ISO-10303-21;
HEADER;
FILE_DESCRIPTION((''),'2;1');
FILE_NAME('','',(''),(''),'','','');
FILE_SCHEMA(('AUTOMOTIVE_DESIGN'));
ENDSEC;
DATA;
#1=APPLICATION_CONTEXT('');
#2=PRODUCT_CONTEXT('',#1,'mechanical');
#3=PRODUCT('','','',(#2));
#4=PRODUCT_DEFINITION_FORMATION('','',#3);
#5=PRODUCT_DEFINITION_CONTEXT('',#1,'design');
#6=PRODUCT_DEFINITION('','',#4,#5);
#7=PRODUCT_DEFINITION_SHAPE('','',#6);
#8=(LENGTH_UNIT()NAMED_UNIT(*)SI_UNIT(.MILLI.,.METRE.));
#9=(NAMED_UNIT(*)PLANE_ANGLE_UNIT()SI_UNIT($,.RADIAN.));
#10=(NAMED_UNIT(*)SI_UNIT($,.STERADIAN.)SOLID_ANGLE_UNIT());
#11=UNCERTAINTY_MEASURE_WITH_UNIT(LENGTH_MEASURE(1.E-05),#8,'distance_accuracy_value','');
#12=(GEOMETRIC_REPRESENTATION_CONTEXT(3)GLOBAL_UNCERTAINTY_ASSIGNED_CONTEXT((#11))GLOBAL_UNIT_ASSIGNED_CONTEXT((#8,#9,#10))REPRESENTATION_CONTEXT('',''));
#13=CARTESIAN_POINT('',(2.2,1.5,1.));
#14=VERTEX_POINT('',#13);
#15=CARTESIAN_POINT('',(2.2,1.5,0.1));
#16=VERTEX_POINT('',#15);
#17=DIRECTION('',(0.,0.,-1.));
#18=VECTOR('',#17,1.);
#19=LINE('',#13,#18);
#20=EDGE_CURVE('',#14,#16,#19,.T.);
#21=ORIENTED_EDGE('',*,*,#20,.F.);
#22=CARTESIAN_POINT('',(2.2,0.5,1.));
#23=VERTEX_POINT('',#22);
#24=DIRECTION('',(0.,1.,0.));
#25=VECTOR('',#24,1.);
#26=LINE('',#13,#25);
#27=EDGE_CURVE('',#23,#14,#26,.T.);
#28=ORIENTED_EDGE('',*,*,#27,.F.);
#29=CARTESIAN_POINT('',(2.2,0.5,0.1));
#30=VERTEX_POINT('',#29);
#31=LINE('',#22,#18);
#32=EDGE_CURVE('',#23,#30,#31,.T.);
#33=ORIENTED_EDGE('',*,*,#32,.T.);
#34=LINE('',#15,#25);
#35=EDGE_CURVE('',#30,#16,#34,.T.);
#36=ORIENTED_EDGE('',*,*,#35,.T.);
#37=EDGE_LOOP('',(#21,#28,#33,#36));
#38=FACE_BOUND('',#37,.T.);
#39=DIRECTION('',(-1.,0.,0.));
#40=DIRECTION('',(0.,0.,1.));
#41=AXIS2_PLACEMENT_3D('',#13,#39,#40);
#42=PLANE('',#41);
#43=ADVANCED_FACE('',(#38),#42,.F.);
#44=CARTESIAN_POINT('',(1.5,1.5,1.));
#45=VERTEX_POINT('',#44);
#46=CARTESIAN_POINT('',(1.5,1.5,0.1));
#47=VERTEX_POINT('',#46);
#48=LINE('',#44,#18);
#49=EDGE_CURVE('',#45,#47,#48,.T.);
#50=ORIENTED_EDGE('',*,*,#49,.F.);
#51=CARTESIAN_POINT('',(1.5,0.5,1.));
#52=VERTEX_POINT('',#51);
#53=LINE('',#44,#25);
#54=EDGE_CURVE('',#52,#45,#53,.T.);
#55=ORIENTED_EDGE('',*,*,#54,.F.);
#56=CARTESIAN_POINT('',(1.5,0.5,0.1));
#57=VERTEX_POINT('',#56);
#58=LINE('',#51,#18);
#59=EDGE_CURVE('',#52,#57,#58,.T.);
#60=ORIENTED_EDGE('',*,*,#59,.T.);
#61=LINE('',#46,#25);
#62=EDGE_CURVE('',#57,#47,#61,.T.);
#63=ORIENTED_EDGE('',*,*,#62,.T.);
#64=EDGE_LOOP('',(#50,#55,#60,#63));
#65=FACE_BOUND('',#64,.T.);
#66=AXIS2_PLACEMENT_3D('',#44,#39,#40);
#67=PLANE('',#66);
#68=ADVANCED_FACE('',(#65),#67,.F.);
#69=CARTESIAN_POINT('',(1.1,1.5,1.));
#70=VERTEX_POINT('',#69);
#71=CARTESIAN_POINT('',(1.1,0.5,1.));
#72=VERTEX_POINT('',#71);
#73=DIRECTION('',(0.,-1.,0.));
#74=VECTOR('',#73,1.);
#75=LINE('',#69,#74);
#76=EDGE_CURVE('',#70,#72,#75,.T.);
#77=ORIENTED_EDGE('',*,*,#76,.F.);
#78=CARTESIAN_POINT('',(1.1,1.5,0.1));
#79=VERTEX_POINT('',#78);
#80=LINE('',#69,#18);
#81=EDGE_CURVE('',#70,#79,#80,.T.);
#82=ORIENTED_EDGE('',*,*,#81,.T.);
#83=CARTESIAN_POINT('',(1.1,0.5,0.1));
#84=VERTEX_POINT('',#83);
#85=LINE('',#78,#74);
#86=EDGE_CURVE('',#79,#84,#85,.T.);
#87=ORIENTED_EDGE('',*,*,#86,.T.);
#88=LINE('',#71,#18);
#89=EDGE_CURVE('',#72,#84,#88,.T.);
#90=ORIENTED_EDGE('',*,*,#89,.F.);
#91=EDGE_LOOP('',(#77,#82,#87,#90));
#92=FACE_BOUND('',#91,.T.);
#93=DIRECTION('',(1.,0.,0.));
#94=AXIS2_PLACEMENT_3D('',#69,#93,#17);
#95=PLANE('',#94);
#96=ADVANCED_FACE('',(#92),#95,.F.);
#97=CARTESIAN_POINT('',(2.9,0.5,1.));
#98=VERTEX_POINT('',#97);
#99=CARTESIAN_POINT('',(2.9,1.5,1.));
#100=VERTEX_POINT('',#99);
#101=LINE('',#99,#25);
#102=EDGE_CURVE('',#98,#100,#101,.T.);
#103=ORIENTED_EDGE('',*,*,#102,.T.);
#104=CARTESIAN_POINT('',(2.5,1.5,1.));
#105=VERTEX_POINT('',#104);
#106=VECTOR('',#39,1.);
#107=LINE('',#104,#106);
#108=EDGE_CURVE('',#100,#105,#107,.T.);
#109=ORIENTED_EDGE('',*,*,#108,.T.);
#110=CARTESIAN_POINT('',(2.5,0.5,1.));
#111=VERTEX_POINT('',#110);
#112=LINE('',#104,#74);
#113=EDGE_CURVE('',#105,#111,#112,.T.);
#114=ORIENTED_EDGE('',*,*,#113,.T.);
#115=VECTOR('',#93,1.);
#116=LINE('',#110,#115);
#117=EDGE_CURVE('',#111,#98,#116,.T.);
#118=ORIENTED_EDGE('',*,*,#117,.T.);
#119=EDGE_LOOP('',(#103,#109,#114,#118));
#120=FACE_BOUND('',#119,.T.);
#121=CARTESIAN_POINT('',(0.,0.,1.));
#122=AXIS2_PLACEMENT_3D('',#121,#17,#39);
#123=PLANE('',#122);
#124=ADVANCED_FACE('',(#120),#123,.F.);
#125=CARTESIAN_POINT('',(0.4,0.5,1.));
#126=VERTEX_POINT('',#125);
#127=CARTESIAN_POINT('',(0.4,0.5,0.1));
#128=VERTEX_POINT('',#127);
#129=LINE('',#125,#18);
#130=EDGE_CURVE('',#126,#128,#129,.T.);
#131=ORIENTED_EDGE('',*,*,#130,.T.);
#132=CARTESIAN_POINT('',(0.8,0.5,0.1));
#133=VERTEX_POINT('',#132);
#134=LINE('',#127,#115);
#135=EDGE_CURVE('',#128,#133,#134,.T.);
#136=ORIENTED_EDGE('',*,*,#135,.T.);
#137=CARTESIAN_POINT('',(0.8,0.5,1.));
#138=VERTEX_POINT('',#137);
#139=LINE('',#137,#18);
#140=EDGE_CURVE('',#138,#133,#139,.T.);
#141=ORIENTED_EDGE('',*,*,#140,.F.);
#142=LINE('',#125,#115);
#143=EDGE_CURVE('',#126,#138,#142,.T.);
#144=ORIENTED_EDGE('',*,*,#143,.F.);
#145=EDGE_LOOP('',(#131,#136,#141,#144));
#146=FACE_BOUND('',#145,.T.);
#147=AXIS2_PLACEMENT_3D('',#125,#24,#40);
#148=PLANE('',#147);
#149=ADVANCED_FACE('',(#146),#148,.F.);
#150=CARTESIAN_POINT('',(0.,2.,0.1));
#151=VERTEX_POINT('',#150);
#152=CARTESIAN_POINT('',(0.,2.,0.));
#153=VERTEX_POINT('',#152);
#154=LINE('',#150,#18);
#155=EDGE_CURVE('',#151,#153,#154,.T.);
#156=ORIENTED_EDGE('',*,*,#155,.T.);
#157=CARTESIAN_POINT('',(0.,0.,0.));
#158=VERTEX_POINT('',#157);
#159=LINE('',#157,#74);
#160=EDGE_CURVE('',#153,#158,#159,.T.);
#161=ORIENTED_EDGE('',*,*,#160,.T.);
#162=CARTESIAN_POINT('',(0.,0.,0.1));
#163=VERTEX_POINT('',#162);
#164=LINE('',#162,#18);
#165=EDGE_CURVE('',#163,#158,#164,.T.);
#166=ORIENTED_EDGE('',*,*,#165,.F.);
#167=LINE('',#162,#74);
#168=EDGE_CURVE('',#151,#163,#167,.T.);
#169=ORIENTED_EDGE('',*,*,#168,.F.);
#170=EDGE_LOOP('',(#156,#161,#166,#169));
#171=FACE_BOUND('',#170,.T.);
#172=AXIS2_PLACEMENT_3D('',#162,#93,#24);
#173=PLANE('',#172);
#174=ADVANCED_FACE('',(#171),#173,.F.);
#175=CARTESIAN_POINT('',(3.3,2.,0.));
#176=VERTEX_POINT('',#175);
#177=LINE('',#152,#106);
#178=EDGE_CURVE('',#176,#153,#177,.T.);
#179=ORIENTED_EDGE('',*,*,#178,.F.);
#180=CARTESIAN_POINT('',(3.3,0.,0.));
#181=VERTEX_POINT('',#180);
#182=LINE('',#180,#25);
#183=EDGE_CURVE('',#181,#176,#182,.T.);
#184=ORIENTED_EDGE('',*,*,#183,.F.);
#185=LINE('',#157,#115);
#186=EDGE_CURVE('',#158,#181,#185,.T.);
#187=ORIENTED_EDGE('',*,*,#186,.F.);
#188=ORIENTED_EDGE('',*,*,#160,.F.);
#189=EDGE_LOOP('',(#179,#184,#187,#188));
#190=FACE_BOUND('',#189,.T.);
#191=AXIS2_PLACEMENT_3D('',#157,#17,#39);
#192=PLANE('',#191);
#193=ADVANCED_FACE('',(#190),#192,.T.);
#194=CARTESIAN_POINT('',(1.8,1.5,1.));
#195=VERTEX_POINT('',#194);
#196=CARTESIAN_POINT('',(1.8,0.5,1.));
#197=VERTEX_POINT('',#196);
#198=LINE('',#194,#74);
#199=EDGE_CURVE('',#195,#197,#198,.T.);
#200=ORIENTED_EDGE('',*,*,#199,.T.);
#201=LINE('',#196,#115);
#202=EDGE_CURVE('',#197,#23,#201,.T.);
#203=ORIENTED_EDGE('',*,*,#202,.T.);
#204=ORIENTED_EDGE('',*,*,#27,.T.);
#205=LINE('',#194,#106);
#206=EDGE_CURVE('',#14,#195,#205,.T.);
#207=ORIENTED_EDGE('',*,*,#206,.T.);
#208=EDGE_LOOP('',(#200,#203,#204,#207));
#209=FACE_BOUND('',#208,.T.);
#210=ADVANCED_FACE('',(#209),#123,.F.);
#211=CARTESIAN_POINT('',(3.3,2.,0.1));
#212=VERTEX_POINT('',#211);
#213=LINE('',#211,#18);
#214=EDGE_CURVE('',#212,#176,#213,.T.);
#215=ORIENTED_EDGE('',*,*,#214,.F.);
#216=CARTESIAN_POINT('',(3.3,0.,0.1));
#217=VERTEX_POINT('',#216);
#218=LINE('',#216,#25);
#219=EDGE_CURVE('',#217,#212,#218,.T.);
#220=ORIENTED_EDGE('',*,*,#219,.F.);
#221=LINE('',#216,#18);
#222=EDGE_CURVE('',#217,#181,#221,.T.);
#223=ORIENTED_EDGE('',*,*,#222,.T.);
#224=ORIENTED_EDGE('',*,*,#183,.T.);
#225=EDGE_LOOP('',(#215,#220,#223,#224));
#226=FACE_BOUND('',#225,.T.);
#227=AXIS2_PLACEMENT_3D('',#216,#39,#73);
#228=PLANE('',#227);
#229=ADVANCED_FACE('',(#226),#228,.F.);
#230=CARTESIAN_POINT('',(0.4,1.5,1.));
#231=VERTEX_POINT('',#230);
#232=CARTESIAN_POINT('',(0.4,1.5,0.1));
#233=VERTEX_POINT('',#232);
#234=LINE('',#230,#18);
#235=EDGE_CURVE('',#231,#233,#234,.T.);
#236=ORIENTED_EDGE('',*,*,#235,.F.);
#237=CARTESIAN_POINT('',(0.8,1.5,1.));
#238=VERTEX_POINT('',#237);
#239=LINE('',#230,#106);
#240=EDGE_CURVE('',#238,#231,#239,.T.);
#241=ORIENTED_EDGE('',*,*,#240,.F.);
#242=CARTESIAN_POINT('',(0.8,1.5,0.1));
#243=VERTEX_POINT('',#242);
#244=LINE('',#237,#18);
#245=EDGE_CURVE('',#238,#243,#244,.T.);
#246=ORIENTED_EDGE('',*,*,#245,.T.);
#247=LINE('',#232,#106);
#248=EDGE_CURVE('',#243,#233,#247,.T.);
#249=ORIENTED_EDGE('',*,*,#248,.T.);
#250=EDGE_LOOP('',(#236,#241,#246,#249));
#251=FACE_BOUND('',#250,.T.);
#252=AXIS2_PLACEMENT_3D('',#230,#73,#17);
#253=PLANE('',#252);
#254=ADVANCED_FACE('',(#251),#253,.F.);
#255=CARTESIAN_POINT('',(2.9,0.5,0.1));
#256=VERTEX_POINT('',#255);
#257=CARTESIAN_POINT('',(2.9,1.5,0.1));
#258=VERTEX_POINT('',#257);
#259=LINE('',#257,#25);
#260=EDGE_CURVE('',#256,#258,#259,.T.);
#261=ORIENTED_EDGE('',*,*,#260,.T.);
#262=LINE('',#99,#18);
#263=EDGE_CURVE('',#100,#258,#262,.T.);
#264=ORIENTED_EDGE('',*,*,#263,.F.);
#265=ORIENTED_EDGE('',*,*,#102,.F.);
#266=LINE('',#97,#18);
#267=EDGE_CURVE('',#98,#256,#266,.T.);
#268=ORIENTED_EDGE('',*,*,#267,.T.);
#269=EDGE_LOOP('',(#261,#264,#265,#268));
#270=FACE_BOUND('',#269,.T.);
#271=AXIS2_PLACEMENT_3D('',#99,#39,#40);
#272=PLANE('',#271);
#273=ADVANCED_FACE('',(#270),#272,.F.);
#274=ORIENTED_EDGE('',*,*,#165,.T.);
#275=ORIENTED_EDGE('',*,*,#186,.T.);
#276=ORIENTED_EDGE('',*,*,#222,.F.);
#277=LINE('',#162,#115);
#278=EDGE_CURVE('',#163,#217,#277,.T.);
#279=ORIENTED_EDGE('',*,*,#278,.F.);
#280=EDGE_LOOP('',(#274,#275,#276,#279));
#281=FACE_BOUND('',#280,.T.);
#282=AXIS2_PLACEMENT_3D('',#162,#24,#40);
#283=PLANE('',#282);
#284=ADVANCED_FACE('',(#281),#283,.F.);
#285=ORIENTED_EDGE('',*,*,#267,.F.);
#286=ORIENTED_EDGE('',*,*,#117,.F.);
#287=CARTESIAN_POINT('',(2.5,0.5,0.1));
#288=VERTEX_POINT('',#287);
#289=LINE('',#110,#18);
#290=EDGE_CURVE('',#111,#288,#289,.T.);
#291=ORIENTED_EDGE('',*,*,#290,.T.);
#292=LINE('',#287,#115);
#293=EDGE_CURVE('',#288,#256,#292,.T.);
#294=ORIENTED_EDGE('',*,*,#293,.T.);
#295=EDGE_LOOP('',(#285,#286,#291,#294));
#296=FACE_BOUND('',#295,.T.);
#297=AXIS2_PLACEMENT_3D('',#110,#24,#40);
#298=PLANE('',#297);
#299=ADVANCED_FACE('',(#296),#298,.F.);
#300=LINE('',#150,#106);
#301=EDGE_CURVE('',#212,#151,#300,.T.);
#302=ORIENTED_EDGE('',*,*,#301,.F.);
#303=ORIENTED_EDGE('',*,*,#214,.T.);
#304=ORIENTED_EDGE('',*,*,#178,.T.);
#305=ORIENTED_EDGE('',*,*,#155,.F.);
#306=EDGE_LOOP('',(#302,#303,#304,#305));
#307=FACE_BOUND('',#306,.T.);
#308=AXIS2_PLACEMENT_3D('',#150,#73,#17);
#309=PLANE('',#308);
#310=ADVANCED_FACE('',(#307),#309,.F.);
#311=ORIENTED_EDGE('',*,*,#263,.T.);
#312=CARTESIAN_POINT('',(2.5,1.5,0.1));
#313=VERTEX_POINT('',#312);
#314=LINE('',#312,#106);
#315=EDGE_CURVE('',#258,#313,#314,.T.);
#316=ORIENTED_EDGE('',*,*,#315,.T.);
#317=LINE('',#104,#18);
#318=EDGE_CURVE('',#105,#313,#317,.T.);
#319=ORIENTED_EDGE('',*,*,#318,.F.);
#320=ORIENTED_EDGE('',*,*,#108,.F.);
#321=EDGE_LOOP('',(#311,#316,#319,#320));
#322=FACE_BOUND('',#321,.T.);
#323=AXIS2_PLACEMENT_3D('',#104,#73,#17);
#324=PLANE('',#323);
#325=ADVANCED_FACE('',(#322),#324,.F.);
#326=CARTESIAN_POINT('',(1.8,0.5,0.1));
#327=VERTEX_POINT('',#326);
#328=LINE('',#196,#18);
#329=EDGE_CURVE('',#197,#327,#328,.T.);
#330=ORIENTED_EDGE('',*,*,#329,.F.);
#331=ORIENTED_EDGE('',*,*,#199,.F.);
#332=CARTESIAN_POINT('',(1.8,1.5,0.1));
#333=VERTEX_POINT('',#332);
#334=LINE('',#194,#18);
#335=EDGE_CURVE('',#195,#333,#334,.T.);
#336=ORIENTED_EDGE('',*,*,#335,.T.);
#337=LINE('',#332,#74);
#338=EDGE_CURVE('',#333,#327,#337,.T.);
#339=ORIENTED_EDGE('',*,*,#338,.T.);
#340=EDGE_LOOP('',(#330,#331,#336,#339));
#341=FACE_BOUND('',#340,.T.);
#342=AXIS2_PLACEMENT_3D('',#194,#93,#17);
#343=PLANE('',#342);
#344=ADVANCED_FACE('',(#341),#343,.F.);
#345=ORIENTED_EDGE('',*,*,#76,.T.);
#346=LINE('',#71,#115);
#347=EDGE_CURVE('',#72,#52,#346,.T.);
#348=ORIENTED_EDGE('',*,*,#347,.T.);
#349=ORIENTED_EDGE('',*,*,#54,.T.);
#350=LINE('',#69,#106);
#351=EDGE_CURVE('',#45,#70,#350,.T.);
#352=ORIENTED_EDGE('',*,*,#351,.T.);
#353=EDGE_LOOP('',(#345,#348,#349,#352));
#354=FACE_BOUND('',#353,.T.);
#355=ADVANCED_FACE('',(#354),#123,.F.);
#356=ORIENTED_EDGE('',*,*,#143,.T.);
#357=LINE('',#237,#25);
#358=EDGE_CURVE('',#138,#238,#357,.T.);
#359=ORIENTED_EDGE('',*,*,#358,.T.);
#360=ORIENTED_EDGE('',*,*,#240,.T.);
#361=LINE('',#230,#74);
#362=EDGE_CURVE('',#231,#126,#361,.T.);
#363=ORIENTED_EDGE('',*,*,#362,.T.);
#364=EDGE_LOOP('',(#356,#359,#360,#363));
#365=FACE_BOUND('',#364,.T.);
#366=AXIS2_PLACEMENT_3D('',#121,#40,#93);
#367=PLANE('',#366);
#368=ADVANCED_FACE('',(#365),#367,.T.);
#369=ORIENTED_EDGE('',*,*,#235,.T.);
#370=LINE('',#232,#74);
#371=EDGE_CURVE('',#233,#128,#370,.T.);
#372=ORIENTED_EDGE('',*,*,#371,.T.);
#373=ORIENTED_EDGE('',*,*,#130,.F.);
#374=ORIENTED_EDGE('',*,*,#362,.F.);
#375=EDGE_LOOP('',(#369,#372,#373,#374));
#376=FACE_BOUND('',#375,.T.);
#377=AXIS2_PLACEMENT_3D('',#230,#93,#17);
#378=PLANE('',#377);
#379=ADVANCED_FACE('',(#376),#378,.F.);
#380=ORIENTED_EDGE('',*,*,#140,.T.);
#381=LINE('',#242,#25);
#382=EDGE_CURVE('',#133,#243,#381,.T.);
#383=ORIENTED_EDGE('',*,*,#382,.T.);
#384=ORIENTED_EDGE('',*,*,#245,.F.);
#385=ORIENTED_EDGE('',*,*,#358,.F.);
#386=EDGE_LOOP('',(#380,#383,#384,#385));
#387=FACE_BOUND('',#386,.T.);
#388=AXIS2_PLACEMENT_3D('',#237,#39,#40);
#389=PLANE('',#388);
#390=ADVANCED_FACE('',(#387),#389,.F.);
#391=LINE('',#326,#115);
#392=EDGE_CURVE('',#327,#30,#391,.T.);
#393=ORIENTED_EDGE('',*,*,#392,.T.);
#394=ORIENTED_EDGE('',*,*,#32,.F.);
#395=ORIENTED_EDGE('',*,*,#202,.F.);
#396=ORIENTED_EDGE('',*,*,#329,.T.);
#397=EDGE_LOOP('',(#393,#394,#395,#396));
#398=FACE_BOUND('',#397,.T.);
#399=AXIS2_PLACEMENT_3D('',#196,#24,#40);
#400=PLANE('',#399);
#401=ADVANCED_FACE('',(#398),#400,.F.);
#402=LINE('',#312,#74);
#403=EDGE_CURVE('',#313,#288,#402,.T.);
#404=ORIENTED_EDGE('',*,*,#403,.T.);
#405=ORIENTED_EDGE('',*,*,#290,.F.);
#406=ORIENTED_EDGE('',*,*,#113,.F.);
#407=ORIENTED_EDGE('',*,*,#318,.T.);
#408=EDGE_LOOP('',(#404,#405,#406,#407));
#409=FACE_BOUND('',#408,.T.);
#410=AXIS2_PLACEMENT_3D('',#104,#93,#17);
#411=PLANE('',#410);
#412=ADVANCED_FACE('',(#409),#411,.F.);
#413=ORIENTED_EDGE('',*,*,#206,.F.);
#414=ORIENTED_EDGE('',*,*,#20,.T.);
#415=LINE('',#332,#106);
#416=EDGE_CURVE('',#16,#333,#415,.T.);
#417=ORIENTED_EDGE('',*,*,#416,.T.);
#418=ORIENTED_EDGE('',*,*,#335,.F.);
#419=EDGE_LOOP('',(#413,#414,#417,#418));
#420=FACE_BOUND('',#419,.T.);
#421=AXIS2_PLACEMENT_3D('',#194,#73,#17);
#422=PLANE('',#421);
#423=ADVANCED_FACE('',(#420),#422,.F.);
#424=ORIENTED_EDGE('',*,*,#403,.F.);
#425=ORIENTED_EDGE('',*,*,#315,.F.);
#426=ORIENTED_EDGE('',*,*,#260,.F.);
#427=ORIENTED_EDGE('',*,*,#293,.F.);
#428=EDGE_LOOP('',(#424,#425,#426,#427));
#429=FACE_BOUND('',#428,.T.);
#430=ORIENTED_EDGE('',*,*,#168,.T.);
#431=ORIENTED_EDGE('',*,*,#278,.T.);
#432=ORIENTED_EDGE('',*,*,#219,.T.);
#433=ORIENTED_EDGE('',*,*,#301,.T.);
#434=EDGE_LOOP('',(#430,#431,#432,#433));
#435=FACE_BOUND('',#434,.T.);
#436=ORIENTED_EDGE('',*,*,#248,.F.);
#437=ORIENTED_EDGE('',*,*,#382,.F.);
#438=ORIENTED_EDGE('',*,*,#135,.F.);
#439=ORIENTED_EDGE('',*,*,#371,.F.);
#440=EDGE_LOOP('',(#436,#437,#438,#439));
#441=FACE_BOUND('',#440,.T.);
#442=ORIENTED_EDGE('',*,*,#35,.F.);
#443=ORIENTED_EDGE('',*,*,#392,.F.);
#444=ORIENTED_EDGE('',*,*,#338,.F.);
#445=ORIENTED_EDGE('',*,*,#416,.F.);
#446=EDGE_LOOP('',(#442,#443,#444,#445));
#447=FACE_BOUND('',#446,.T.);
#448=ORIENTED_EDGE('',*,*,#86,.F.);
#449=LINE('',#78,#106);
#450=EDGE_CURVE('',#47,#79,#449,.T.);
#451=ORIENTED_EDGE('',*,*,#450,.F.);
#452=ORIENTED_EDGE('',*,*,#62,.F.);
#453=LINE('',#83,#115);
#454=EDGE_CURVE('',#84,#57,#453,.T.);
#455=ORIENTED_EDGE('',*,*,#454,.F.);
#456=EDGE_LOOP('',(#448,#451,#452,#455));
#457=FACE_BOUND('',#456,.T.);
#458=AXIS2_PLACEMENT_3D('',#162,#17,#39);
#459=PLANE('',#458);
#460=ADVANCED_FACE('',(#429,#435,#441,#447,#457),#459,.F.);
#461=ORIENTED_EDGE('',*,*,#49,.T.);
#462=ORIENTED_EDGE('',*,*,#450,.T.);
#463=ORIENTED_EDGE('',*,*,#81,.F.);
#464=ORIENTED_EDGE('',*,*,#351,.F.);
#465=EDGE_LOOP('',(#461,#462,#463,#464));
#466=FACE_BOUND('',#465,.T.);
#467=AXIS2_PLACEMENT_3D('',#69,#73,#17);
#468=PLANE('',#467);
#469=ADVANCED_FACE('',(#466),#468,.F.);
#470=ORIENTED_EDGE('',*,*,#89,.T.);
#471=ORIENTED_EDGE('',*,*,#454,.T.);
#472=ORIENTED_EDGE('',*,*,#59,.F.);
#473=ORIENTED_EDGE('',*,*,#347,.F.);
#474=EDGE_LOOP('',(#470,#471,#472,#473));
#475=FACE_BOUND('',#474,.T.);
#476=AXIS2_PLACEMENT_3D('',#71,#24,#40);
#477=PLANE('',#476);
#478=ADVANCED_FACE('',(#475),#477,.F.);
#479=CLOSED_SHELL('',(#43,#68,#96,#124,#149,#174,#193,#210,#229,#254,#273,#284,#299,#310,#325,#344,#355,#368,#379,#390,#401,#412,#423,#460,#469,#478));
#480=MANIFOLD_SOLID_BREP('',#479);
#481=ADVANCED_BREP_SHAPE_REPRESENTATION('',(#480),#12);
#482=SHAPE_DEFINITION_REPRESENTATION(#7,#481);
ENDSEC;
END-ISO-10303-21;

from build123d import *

# Parameters (mm, degrees)
ESQUISSE2_W        = 3.3
ESQUISSE2_H        = 2
BOSS_EXTRU_1_DEPTH = 0.1
ESQUISSE3_W        = 0.4
ESQUISSE3_H        = 1
BOSS_EXTRU_2_DEPTH = 0.9


with BuildPart() as part:
    # Esquisse2 → Boss.-Extru.1 (new body)
    with BuildSketch(Plane.XY):
        with Locations((1.65, 1)):
            Rectangle(ESQUISSE2_W, ESQUISSE2_H)
    extrude(amount=BOSS_EXTRU_1_DEPTH)

    # Esquisse3 → Boss.-Extru.2 (add)
    with BuildSketch(Plane.XY.offset(0.1)):
        with Locations((0.6, 1)):
            Rectangle(ESQUISSE3_W, ESQUISSE3_H)
        with Locations((1.3, 1)):
            Rectangle(ESQUISSE3_W, ESQUISSE3_H)
        with Locations((2, 1)):
            Rectangle(ESQUISSE3_W, ESQUISSE3_H)
        with Locations((2.7, 1)):
            Rectangle(ESQUISSE3_W, ESQUISSE3_H)
    extrude(amount=BOSS_EXTRU_2_DEPTH)


solid = part.part
